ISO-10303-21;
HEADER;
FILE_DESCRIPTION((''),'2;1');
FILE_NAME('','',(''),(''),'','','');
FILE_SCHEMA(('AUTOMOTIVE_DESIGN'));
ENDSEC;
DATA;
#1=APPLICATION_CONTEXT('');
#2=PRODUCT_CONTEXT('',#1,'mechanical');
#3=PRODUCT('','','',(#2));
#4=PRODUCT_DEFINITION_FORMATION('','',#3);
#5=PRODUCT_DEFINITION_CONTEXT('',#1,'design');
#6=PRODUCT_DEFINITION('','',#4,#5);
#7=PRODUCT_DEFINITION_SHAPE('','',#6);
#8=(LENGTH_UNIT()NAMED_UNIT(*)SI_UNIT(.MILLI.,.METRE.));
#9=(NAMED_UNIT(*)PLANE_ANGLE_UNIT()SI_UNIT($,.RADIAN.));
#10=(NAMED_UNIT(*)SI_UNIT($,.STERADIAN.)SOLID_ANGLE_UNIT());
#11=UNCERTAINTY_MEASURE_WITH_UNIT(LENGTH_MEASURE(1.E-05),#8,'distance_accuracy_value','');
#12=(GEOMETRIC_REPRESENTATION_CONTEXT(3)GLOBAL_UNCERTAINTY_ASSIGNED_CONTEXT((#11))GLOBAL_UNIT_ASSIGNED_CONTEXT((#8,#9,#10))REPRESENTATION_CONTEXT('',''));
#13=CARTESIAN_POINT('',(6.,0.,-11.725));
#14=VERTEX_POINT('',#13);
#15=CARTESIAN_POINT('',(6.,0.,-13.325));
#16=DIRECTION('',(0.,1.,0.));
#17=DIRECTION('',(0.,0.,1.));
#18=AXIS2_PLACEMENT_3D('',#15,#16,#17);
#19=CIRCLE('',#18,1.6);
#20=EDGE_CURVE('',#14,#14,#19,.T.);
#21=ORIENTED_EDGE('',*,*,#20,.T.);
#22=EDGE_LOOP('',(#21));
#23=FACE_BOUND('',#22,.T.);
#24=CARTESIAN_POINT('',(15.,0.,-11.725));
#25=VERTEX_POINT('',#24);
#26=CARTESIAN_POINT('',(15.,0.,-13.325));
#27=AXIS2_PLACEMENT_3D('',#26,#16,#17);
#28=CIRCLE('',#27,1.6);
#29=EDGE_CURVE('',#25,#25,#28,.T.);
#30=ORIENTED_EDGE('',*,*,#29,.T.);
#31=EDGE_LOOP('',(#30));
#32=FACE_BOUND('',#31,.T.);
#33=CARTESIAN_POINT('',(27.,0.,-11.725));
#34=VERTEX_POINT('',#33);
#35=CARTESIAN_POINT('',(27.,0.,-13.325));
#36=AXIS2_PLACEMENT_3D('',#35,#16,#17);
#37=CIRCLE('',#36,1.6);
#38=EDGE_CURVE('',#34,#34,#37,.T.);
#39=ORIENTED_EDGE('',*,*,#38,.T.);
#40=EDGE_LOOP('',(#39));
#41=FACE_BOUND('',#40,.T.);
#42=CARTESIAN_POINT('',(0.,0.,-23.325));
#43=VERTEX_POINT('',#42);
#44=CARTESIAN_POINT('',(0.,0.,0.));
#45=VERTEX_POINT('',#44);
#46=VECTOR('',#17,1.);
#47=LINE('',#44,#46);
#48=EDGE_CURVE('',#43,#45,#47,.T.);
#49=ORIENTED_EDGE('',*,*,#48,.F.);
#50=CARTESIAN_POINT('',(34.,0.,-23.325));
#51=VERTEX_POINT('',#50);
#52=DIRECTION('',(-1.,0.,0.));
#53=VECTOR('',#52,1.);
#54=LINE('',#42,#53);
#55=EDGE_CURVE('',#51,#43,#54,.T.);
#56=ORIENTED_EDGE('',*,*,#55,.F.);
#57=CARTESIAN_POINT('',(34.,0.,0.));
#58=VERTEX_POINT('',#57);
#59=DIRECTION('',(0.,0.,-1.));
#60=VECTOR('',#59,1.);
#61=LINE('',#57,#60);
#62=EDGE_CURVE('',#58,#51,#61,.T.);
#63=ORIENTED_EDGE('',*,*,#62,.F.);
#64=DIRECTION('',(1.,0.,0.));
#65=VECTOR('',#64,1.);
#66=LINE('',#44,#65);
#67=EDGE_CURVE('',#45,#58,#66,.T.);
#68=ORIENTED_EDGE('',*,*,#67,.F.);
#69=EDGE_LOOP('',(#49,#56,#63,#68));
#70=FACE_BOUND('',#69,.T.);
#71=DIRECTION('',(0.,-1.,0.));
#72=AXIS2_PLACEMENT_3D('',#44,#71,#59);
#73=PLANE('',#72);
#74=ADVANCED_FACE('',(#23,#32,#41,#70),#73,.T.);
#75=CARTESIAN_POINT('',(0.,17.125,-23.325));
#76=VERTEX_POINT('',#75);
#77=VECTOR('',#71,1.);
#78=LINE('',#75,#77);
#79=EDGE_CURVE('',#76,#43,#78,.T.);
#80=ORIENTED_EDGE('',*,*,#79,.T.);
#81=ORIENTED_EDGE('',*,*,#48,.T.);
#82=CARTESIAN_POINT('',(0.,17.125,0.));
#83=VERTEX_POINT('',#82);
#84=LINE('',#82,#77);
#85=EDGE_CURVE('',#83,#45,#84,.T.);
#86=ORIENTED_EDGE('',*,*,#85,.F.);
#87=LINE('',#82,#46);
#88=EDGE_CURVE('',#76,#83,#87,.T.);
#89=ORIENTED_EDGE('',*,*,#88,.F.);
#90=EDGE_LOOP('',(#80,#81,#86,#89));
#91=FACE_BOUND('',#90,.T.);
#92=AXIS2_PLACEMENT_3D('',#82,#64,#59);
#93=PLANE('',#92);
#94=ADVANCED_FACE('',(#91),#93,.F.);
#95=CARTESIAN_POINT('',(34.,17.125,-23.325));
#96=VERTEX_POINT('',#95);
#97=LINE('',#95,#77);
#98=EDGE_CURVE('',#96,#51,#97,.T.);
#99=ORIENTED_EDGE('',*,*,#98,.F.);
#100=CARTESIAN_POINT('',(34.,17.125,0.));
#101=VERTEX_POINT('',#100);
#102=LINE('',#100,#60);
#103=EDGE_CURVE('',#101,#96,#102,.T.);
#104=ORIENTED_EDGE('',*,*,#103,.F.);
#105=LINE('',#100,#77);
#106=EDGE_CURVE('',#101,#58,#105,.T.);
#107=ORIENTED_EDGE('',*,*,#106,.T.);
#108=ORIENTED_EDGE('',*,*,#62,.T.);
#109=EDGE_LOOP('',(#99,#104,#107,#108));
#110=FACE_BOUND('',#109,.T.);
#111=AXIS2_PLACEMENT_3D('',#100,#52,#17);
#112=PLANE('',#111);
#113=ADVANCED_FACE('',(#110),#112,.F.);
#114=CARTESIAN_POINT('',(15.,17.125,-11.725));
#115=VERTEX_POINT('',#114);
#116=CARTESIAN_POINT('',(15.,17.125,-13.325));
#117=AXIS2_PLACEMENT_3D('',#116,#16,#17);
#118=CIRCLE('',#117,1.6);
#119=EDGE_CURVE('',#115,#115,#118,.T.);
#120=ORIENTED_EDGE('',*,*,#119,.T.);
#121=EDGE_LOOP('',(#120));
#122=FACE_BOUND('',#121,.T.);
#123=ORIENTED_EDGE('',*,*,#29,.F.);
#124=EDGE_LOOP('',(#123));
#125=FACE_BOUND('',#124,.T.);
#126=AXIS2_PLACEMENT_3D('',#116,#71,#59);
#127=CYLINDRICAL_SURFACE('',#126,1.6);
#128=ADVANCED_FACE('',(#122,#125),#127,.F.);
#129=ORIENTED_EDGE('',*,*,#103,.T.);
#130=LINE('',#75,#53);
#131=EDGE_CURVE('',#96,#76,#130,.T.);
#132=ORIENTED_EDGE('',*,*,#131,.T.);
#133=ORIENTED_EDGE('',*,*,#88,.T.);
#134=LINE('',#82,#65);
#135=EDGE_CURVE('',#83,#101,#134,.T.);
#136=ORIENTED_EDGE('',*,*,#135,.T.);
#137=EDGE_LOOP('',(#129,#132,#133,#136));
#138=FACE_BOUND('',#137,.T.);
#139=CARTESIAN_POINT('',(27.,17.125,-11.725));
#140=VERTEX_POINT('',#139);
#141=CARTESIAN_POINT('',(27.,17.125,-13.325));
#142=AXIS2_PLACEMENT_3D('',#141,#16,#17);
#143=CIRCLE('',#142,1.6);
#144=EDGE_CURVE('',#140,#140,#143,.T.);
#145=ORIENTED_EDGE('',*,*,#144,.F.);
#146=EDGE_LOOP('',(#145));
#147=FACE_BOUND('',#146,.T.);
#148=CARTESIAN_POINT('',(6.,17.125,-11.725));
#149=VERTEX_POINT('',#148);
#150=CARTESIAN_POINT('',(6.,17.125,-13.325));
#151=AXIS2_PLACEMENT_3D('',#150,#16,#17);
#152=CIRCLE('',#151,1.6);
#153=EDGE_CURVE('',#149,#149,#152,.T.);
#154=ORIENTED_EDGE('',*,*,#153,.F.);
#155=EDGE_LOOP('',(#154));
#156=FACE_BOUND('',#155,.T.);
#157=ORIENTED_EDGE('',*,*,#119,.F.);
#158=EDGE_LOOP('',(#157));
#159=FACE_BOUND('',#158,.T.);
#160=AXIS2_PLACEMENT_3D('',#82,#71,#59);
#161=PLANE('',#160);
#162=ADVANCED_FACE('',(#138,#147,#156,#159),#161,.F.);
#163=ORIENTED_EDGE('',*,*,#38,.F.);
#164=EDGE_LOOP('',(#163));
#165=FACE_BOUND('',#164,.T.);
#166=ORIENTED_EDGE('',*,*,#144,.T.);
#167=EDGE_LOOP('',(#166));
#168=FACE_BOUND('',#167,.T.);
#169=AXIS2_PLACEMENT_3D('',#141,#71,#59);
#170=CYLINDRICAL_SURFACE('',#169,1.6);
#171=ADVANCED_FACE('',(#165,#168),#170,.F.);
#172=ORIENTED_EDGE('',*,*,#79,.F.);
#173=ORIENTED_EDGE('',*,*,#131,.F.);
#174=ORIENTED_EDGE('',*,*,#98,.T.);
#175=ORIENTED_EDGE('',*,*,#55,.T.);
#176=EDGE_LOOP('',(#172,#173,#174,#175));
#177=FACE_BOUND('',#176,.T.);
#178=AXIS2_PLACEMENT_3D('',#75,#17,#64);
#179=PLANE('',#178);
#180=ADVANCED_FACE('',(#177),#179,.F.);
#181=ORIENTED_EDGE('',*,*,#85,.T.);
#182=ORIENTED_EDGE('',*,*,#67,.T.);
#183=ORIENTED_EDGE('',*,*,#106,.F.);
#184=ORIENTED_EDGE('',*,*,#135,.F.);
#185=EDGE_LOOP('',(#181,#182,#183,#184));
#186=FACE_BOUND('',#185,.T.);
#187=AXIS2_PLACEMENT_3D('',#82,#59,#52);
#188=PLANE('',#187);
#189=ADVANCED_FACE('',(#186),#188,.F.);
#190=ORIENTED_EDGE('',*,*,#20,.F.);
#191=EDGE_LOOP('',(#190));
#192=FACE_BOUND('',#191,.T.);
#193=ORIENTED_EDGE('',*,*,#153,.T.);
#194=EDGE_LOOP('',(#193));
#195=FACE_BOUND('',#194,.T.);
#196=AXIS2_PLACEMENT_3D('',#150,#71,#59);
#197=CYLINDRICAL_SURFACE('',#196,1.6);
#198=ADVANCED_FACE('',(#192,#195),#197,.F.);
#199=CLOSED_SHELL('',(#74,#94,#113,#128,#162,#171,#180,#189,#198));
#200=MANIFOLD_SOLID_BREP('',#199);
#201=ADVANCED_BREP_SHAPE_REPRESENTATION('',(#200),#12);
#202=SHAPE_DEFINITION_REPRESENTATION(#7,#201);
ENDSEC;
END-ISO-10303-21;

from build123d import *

# Parameters (mm, degrees)
SKETCH1_W           = 34
SKETCH1_H           = 23.325
SKETCH1_R           = 1.6
BOSS_EXTRUDE1_DEPTH = 17.125


with BuildPart() as part:
    # Sketch1 → Boss-Extrude1 (new body)
    with BuildSketch(Plane(origin=(0, 0, 0), x_dir=(1, 0, 0), z_dir=(0, 1, 0))):
        with Locations((17, 11.6625)):
            Rectangle(SKETCH1_W, SKETCH1_H)
        with Locations(Location((6, 13.325, 0), (0, 0, 270))):
            Circle(SKETCH1_R, mode=Mode.SUBTRACT)
        with Locations(Location((15, 13.325, 0), (0, 0, 270))):
            Circle(SKETCH1_R, mode=Mode.SUBTRACT)
        with Locations(Location((27, 13.325, 0), (0, 0, 270))):
            Circle(SKETCH1_R, mode=Mode.SUBTRACT)
    extrude(amount=BOSS_EXTRUDE1_DEPTH)


solid = part.part
